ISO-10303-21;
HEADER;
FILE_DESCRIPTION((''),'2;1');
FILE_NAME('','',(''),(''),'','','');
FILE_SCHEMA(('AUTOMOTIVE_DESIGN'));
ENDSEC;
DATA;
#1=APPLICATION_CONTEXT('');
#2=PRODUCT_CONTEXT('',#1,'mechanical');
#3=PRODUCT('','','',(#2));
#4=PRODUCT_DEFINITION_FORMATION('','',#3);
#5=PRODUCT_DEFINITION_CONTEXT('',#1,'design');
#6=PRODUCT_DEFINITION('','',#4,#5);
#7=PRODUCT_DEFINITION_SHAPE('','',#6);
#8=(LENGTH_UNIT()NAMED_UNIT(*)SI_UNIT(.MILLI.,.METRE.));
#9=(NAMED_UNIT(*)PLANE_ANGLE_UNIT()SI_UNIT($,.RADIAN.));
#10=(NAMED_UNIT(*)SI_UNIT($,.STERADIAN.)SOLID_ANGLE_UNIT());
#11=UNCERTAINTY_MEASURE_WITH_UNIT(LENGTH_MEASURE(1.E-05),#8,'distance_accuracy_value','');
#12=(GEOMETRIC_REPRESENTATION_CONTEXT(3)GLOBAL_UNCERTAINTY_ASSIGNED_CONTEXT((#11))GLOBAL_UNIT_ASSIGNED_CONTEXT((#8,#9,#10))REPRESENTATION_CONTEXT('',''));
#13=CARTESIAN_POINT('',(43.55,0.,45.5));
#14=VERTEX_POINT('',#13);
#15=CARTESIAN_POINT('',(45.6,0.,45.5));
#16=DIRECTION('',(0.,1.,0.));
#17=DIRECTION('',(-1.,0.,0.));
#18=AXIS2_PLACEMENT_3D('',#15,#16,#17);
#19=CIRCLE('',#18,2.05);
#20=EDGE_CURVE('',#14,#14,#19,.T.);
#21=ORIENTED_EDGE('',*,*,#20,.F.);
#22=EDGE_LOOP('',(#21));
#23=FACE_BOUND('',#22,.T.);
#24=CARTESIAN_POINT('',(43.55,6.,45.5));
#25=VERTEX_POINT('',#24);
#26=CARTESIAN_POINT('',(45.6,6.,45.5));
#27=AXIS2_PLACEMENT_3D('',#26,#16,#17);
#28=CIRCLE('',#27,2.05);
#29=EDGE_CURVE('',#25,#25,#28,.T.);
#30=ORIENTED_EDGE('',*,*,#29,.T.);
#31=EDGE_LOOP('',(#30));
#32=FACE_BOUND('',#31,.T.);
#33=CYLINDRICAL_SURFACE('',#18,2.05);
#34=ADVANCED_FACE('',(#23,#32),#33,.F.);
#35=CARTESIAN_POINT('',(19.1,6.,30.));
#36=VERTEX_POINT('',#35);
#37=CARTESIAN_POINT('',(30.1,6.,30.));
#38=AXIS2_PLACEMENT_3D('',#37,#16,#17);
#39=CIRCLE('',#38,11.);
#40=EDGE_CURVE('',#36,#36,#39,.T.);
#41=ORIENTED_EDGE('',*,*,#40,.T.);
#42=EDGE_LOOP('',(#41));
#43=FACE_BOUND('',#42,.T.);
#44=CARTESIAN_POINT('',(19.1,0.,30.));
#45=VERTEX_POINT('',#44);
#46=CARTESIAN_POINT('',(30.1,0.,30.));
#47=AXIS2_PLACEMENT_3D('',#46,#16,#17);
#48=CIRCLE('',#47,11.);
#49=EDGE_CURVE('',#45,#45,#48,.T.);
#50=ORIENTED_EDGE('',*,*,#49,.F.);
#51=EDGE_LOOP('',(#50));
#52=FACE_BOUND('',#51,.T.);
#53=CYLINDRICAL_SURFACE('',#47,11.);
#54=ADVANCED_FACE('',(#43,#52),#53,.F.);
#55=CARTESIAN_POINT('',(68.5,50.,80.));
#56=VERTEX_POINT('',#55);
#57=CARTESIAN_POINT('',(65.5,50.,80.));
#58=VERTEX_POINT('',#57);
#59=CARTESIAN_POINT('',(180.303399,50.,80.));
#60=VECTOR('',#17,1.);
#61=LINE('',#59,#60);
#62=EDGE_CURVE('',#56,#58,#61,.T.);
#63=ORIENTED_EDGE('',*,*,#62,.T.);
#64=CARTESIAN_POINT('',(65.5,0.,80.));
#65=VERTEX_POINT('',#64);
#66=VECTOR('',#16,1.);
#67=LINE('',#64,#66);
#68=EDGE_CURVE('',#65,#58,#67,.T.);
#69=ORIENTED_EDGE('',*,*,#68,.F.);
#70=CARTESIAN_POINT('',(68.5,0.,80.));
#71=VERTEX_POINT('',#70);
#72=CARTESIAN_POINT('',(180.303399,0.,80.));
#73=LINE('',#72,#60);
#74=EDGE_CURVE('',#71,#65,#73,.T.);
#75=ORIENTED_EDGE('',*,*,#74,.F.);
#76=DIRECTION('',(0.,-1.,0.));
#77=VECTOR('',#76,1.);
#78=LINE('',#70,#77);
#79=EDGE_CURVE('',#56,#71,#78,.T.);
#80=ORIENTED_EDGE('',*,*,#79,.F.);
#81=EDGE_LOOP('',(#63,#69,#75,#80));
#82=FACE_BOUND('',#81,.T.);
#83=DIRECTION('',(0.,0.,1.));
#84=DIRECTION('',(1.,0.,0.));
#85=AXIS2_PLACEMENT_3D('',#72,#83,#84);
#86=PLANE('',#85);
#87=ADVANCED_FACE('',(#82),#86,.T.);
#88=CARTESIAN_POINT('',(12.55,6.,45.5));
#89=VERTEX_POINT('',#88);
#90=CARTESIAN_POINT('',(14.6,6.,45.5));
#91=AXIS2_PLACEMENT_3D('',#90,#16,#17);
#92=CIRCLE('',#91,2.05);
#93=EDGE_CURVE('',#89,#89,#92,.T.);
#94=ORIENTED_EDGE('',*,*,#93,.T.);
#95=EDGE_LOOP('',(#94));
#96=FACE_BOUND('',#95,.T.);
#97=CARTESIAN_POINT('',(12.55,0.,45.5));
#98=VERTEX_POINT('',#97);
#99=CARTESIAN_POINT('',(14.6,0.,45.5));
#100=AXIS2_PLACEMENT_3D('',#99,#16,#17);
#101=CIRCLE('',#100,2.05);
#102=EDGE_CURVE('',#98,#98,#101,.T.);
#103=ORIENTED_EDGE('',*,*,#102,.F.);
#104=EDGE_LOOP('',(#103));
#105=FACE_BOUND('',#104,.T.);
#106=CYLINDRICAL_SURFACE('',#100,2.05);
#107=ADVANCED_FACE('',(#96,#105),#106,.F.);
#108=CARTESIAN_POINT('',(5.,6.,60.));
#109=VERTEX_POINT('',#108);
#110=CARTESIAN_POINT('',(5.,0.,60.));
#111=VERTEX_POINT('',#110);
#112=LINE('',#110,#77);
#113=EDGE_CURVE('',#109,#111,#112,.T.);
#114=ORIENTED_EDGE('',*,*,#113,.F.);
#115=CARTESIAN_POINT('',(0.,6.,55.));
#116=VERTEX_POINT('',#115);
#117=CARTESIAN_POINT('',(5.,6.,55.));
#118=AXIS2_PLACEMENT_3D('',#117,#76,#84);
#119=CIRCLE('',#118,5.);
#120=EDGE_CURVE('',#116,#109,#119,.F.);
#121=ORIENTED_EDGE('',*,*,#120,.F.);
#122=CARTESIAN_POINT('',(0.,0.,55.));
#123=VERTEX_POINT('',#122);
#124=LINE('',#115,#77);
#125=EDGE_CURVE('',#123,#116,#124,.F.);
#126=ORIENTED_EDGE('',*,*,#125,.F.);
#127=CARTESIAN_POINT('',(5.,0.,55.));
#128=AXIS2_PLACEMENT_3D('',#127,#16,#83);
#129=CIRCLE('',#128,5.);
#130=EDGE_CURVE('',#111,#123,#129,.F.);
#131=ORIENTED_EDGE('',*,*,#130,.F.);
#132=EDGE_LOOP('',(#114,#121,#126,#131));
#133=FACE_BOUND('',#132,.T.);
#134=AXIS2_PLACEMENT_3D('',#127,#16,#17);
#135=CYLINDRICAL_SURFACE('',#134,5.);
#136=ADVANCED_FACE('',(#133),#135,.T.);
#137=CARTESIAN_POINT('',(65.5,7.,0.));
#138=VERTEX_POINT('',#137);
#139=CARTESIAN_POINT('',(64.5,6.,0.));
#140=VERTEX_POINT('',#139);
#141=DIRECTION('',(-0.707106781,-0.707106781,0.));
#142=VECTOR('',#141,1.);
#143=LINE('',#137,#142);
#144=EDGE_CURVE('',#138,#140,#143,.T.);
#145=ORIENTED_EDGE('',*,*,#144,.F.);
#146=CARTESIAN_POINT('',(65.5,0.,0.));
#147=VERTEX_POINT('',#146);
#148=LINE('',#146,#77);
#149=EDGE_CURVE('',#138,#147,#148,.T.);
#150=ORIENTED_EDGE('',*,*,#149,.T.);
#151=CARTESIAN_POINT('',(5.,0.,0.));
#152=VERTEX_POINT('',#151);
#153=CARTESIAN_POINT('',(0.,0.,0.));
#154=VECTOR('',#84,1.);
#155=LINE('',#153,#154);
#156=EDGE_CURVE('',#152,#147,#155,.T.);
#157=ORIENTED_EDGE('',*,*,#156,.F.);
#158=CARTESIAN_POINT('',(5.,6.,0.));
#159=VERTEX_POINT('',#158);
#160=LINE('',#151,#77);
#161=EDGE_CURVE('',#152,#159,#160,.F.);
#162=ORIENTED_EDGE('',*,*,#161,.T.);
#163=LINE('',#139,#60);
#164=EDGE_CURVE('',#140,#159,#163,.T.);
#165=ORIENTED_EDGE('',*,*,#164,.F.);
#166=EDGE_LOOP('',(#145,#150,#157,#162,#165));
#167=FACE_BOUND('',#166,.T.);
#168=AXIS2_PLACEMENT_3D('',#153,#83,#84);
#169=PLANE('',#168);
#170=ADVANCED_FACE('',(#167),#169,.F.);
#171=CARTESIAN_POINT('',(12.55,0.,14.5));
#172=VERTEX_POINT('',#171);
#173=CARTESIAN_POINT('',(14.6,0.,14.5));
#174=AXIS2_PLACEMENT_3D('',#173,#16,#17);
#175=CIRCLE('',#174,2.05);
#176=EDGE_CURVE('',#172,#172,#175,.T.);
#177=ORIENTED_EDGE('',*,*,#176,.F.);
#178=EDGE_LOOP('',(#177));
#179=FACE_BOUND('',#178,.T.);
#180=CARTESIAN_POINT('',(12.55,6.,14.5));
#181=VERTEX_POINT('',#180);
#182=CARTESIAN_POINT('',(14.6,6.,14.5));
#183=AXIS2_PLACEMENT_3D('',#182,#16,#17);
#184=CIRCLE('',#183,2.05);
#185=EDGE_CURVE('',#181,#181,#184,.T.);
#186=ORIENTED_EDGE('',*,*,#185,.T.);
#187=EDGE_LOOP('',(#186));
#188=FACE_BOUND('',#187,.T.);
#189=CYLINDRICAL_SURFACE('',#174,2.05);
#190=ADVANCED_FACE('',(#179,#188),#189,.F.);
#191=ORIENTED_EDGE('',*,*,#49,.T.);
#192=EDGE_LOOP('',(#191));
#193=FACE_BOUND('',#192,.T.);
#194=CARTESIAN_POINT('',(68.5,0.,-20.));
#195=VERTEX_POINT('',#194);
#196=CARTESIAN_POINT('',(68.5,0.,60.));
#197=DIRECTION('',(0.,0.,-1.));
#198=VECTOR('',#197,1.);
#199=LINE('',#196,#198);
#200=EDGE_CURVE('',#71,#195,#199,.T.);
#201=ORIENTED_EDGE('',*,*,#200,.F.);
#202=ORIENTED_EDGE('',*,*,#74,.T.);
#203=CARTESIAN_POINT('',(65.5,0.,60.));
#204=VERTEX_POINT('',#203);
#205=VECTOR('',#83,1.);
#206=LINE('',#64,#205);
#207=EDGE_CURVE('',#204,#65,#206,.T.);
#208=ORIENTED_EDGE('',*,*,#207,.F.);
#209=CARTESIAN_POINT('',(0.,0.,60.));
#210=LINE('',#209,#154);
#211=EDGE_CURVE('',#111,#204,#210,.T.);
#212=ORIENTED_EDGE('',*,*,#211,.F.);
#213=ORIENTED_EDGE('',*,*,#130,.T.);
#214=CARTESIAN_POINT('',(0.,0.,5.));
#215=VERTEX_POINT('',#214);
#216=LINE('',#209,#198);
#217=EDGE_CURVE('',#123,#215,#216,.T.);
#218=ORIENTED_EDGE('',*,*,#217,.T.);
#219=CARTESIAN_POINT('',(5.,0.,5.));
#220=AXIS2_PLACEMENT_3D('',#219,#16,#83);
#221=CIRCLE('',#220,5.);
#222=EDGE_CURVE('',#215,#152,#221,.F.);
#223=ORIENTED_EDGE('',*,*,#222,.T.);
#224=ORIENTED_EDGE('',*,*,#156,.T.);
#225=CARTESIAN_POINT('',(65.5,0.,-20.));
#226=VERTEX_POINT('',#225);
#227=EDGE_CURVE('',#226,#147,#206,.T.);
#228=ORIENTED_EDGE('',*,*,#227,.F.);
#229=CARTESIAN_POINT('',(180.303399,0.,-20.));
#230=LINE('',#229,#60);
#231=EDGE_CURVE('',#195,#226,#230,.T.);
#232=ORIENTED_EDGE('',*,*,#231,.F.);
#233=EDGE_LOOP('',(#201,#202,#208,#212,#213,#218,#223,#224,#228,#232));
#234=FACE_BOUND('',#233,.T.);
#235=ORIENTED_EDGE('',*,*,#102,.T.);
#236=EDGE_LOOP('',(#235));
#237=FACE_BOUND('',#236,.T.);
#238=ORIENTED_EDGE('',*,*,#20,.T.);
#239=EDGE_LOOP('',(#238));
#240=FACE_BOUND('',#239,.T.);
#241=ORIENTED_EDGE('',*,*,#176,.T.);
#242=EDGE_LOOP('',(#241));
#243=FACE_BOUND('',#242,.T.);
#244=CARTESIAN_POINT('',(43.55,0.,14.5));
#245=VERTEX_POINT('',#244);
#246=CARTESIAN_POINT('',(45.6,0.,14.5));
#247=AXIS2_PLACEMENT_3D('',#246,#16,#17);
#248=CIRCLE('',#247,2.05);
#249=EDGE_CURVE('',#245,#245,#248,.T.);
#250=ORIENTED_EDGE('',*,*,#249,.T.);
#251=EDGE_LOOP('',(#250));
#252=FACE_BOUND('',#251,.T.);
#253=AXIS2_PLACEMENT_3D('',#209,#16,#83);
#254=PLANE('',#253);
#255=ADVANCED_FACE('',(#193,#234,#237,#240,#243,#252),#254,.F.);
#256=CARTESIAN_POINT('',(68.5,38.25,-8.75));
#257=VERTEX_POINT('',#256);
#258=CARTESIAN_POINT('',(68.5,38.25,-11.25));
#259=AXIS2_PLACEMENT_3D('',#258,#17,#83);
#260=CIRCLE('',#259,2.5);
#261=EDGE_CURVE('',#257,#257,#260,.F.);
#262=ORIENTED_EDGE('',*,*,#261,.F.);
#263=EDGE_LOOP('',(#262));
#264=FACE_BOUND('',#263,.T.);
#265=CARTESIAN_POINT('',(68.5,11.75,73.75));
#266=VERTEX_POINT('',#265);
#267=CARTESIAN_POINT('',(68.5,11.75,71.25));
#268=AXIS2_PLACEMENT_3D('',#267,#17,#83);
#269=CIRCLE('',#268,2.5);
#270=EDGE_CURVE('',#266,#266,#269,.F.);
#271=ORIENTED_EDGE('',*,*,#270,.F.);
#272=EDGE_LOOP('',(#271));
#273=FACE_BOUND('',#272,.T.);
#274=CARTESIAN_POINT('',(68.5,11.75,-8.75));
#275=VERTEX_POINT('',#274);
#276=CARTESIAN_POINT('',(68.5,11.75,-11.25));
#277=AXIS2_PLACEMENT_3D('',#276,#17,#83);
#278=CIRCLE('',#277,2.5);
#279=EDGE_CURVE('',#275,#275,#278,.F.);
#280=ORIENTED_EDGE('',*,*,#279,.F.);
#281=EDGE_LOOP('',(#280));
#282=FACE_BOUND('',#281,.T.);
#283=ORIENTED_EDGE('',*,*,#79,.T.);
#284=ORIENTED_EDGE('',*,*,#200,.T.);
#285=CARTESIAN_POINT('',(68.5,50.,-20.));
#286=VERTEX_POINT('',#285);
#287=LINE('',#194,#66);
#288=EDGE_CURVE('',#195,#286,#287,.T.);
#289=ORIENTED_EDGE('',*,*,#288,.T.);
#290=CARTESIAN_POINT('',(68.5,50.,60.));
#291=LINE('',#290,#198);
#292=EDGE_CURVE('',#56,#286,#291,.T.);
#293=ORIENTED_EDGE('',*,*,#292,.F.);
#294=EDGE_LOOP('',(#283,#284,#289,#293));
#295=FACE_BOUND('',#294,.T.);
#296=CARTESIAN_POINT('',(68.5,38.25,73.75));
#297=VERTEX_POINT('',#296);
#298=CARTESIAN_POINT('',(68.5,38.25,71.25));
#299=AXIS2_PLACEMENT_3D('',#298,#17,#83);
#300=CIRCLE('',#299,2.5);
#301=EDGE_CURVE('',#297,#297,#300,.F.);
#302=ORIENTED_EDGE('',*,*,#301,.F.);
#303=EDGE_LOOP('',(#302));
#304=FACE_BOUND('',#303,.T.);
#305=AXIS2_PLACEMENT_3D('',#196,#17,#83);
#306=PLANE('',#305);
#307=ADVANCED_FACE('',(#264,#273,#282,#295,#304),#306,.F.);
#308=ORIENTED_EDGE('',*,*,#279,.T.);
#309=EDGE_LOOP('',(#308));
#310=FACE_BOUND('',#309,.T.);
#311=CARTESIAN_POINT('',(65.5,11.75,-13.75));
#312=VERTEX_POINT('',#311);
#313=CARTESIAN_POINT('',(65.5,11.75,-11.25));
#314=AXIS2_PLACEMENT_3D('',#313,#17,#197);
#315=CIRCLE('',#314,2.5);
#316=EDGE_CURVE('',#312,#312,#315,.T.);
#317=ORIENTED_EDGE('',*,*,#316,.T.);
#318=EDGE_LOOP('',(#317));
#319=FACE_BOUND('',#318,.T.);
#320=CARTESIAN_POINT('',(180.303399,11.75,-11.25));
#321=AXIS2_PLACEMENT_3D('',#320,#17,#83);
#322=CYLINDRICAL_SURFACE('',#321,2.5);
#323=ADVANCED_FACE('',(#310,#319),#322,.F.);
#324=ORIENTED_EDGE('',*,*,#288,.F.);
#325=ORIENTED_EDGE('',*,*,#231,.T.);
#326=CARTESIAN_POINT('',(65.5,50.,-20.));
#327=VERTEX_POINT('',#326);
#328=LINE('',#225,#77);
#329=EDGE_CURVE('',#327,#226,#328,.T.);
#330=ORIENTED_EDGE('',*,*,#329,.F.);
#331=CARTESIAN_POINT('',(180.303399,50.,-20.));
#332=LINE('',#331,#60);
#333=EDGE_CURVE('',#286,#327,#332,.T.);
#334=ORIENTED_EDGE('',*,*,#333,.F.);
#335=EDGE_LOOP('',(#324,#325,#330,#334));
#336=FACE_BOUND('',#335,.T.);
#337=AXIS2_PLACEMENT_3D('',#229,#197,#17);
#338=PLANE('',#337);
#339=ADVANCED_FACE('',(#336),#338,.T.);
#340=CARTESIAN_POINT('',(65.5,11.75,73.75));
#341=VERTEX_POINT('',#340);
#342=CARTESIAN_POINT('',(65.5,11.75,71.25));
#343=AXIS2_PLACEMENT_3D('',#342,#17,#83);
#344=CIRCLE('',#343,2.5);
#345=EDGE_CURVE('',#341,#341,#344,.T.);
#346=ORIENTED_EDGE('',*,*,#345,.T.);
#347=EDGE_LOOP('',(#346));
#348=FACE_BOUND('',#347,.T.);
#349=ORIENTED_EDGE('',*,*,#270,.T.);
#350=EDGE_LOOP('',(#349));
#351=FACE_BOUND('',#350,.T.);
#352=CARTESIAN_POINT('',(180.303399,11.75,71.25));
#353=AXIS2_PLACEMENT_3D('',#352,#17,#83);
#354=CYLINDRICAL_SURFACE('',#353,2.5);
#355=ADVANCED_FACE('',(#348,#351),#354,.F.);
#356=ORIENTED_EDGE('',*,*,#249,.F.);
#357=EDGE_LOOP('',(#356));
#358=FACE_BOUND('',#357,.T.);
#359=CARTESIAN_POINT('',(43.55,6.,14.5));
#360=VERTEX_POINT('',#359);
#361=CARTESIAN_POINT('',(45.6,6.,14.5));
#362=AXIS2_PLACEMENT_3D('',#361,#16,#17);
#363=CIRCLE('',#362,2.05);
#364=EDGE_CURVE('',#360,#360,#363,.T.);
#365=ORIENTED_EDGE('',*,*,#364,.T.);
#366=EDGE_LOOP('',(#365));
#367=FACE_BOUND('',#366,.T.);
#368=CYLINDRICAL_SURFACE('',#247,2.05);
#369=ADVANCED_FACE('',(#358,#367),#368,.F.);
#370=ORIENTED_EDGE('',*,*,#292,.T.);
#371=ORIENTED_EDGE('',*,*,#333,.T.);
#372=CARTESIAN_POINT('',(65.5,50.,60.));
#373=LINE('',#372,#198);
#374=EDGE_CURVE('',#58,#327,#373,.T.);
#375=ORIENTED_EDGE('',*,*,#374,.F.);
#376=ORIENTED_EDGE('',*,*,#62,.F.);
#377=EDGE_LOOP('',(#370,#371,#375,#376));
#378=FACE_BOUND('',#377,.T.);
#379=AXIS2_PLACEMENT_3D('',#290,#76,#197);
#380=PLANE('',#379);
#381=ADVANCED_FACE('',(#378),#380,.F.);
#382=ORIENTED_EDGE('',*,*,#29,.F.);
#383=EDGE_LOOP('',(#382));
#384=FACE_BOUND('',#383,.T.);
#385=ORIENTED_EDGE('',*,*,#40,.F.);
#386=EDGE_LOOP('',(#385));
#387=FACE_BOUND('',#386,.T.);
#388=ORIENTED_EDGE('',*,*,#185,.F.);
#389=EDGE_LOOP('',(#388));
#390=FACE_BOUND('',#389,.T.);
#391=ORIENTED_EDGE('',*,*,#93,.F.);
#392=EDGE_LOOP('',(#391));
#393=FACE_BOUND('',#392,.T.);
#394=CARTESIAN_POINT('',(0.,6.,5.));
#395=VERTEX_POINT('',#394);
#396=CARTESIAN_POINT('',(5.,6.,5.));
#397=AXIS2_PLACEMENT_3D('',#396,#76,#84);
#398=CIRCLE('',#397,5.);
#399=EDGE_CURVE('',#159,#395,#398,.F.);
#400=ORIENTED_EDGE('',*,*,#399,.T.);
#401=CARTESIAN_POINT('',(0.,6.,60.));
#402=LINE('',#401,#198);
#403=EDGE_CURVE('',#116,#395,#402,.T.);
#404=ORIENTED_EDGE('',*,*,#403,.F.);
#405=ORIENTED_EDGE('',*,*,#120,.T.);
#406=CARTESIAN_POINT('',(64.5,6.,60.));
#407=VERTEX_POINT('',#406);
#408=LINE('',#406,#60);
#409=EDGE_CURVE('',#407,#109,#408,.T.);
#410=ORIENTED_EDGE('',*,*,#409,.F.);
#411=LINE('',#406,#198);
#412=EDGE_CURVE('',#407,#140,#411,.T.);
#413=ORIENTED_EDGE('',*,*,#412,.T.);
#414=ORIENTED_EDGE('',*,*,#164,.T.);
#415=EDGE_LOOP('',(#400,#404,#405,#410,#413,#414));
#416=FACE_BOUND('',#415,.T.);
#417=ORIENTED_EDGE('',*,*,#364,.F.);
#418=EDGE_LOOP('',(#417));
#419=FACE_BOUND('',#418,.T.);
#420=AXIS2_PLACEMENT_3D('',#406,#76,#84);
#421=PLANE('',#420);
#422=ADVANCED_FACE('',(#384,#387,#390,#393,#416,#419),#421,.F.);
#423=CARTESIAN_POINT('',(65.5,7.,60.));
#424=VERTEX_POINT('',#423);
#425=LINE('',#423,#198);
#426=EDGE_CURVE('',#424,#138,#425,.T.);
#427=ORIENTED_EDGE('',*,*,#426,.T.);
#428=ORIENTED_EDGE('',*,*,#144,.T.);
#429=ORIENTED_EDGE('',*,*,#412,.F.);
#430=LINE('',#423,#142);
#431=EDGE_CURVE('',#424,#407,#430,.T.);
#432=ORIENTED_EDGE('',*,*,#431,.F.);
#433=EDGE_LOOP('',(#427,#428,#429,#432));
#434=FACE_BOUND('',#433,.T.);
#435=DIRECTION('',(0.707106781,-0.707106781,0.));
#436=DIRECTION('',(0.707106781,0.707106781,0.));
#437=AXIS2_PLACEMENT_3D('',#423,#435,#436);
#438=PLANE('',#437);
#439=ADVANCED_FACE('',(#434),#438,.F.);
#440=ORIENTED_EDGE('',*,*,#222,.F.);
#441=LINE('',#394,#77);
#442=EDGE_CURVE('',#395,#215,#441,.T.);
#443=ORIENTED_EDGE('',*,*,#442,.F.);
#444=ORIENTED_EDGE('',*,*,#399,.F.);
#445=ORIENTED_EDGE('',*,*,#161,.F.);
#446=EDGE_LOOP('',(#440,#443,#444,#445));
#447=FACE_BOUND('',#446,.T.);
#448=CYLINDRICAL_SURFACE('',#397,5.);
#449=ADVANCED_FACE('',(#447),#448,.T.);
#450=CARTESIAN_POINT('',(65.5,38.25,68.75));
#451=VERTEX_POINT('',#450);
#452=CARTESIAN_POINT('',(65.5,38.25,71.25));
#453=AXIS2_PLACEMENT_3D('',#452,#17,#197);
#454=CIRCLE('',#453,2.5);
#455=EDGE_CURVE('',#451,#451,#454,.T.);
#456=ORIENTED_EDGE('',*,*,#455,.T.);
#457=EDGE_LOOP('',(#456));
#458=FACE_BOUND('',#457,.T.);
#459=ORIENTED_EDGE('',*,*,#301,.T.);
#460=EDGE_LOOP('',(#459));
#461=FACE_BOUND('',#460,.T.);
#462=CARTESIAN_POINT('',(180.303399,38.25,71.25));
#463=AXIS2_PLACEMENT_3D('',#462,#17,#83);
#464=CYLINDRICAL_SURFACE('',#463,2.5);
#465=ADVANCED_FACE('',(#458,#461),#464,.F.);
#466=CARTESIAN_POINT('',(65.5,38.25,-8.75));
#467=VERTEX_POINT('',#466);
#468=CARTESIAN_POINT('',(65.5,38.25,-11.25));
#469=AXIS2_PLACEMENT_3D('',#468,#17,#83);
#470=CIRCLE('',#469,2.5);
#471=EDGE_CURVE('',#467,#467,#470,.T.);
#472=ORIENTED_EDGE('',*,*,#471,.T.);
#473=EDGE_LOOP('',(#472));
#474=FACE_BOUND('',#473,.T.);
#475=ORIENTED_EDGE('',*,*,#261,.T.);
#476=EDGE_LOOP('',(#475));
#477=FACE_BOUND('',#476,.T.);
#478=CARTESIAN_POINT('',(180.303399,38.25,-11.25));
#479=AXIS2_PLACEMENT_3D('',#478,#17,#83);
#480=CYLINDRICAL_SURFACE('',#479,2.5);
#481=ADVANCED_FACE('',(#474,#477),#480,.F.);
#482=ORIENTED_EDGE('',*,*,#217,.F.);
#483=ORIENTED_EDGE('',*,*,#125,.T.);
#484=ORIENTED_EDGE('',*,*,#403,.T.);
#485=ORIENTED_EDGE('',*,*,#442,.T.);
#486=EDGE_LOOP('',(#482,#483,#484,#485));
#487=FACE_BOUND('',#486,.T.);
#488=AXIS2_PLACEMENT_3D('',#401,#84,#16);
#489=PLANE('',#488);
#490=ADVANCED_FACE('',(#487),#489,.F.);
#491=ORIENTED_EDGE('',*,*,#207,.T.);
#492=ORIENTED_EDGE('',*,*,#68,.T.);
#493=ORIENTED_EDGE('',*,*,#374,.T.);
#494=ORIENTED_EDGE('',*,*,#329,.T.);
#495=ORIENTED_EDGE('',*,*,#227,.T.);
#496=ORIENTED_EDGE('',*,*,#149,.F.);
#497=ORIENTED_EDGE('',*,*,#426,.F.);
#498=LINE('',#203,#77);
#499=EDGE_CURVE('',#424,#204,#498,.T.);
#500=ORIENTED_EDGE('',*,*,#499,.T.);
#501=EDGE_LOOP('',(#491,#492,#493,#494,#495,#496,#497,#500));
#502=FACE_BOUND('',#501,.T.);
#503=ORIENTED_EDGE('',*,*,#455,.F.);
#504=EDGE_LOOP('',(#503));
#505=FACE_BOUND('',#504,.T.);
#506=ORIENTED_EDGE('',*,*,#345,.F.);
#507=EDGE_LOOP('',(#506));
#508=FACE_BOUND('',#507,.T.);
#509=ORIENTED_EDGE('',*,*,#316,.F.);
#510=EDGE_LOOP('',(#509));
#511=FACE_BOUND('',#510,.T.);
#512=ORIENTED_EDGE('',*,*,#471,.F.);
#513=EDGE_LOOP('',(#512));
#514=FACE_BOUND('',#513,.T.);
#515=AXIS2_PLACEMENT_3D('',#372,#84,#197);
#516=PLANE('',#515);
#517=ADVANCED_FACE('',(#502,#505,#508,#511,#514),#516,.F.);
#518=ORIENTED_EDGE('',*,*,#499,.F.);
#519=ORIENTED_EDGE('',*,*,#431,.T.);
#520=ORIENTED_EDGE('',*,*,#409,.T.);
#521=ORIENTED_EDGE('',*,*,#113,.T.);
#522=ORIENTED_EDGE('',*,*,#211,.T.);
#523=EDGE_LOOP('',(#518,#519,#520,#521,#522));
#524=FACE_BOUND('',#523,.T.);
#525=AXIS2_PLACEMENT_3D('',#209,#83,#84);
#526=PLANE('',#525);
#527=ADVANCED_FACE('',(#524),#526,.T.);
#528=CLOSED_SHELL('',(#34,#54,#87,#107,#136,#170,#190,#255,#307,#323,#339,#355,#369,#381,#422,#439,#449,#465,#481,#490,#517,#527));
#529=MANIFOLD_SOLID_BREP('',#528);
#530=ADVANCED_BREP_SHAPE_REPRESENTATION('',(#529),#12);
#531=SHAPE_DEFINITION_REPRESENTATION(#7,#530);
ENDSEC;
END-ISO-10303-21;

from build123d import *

# Parameters (mm, degrees)
EXTRUDE_1_DEPTH     = 60
SKETCH_4_R          = 11
SKETCH_4_R_2        = 2.05
CUT_EXTRUDE_3_DEPTH = 7
FILLET_2_R          = 5
SKETCH_5_W          = 100
SKETCH_5_H          = 50
SKETCH_5_R          = 2.5
EXTRUDE_2_DEPTH     = 3


with BuildPart() as part:
    # 草图1 → 凸台-拉伸1 (new body)
    with BuildSketch(Plane.XY):
        Polygon((0, 0), (68.5, 0), (68.5, 50), (65.5, 50), (65.5, 7), (64.5, 6), (0, 6), align=None)
    extrude(amount=EXTRUDE_1_DEPTH)

    # 草图4 → 切除-拉伸3 (cut, through all)
    with BuildSketch(Plane(origin=(0, 6, 0), x_dir=(1, 0, 0), z_dir=(0, 1, 0))):
        with Locations((30.1, -30)):
            Circle(SKETCH_4_R)
        with Locations((14.6, -14.5)):
            Circle(SKETCH_4_R_2)
        with Locations((45.6, -14.5)):
            Circle(SKETCH_4_R_2)
        with Locations((45.6, -45.5)):
            Circle(SKETCH_4_R_2)
        with Locations((14.6, -45.5)):
            Circle(SKETCH_4_R_2)
    extrude(amount=-CUT_EXTRUDE_3_DEPTH, mode=Mode.SUBTRACT)

    # 圆角2
    fillet_2_edges = [part.edges().sort_by_distance(p)[0] for p in [
        (0, 3, 0),
        (0, 3, 60),
    ]]
    fillet(fillet_2_edges, radius=FILLET_2_R)

    # 草图5 → 凸台-拉伸2 (add)
    with BuildSketch(Plane.ZY.offset(-65.5)):
        with Locations((30, 25)):
            Rectangle(SKETCH_5_W, SKETCH_5_H)
        with Locations((71.25, 11.75)):
            Circle(SKETCH_5_R, mode=Mode.SUBTRACT)
        with Locations((-11.25, 11.75)):
            Circle(SKETCH_5_R, mode=Mode.SUBTRACT)
        with Locations((-11.25, 38.25)):
            Circle(SKETCH_5_R, mode=Mode.SUBTRACT)
        with Locations((71.25, 38.25)):
            Circle(SKETCH_5_R, mode=Mode.SUBTRACT)
    extrude(amount=-EXTRUDE_2_DEPTH)


solid = part.part
